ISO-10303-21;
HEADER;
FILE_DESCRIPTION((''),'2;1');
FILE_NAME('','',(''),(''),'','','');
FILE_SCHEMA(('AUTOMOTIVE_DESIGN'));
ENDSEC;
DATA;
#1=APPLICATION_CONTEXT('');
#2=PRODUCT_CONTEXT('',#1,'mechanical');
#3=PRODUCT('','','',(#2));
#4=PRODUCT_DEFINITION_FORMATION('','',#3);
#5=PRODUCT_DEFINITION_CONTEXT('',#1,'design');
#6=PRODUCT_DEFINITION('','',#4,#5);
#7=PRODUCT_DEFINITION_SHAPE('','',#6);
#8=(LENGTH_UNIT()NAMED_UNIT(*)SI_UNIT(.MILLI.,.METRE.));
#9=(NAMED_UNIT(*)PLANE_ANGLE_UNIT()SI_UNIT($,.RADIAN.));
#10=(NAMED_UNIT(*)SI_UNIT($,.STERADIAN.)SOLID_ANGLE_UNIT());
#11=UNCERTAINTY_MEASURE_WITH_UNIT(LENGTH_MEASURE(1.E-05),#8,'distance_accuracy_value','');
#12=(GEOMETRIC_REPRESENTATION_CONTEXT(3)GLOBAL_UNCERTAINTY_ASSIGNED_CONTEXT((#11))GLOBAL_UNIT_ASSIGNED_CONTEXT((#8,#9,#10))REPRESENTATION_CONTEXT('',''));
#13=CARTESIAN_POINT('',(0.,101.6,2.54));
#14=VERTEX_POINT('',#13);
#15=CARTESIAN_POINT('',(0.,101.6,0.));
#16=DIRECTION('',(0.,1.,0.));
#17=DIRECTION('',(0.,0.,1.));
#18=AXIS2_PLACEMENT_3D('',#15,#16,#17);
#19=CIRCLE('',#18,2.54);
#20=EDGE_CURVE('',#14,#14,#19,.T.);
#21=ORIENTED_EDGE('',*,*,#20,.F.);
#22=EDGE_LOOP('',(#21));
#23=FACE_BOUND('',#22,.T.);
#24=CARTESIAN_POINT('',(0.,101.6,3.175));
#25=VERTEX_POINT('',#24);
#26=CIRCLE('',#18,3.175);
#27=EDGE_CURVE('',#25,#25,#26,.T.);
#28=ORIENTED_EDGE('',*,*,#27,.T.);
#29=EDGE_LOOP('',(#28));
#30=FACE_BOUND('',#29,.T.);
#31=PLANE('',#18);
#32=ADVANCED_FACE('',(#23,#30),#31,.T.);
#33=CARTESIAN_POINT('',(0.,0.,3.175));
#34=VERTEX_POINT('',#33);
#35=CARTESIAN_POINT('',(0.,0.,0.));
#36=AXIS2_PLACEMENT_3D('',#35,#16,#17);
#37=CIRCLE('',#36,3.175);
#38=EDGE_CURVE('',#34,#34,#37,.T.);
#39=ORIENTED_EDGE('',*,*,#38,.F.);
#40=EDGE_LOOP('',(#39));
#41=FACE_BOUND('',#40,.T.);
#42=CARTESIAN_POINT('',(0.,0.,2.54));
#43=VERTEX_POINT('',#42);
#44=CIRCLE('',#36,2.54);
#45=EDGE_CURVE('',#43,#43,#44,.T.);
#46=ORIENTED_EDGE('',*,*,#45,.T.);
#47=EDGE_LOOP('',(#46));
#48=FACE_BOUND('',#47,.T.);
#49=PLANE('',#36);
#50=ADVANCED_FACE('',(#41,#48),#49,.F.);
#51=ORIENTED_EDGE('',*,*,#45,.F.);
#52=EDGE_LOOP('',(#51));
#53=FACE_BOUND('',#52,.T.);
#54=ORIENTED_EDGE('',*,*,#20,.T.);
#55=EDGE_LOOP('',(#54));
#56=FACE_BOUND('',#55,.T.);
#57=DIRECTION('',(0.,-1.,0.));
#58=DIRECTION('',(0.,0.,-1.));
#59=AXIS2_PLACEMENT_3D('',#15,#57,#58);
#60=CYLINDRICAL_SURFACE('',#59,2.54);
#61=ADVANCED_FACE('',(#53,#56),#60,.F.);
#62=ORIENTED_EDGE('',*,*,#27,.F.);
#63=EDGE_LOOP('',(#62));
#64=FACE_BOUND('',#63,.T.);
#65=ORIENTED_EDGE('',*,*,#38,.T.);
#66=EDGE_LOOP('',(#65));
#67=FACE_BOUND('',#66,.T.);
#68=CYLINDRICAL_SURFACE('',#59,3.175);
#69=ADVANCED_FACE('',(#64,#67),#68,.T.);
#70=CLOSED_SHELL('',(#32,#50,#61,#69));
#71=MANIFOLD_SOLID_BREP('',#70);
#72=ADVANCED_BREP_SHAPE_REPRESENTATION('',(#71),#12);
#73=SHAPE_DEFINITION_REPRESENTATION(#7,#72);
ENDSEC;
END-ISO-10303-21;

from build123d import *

# Parameters (mm, degrees)
SKETCH1_R           = 3.175
SKETCH1_R_2         = 2.54
BOSS_EXTRUDE1_DEPTH = 101.6


with BuildPart() as part:
    # Sketch1 → Boss-Extrude1 (new body)
    with BuildSketch(Plane(origin=(0, 0, 0), x_dir=(1, 0, 0), z_dir=(0, 1, 0))):
        Circle(SKETCH1_R)
        Circle(SKETCH1_R_2, mode=Mode.SUBTRACT)
    extrude(amount=BOSS_EXTRUDE1_DEPTH)


solid = part.part
